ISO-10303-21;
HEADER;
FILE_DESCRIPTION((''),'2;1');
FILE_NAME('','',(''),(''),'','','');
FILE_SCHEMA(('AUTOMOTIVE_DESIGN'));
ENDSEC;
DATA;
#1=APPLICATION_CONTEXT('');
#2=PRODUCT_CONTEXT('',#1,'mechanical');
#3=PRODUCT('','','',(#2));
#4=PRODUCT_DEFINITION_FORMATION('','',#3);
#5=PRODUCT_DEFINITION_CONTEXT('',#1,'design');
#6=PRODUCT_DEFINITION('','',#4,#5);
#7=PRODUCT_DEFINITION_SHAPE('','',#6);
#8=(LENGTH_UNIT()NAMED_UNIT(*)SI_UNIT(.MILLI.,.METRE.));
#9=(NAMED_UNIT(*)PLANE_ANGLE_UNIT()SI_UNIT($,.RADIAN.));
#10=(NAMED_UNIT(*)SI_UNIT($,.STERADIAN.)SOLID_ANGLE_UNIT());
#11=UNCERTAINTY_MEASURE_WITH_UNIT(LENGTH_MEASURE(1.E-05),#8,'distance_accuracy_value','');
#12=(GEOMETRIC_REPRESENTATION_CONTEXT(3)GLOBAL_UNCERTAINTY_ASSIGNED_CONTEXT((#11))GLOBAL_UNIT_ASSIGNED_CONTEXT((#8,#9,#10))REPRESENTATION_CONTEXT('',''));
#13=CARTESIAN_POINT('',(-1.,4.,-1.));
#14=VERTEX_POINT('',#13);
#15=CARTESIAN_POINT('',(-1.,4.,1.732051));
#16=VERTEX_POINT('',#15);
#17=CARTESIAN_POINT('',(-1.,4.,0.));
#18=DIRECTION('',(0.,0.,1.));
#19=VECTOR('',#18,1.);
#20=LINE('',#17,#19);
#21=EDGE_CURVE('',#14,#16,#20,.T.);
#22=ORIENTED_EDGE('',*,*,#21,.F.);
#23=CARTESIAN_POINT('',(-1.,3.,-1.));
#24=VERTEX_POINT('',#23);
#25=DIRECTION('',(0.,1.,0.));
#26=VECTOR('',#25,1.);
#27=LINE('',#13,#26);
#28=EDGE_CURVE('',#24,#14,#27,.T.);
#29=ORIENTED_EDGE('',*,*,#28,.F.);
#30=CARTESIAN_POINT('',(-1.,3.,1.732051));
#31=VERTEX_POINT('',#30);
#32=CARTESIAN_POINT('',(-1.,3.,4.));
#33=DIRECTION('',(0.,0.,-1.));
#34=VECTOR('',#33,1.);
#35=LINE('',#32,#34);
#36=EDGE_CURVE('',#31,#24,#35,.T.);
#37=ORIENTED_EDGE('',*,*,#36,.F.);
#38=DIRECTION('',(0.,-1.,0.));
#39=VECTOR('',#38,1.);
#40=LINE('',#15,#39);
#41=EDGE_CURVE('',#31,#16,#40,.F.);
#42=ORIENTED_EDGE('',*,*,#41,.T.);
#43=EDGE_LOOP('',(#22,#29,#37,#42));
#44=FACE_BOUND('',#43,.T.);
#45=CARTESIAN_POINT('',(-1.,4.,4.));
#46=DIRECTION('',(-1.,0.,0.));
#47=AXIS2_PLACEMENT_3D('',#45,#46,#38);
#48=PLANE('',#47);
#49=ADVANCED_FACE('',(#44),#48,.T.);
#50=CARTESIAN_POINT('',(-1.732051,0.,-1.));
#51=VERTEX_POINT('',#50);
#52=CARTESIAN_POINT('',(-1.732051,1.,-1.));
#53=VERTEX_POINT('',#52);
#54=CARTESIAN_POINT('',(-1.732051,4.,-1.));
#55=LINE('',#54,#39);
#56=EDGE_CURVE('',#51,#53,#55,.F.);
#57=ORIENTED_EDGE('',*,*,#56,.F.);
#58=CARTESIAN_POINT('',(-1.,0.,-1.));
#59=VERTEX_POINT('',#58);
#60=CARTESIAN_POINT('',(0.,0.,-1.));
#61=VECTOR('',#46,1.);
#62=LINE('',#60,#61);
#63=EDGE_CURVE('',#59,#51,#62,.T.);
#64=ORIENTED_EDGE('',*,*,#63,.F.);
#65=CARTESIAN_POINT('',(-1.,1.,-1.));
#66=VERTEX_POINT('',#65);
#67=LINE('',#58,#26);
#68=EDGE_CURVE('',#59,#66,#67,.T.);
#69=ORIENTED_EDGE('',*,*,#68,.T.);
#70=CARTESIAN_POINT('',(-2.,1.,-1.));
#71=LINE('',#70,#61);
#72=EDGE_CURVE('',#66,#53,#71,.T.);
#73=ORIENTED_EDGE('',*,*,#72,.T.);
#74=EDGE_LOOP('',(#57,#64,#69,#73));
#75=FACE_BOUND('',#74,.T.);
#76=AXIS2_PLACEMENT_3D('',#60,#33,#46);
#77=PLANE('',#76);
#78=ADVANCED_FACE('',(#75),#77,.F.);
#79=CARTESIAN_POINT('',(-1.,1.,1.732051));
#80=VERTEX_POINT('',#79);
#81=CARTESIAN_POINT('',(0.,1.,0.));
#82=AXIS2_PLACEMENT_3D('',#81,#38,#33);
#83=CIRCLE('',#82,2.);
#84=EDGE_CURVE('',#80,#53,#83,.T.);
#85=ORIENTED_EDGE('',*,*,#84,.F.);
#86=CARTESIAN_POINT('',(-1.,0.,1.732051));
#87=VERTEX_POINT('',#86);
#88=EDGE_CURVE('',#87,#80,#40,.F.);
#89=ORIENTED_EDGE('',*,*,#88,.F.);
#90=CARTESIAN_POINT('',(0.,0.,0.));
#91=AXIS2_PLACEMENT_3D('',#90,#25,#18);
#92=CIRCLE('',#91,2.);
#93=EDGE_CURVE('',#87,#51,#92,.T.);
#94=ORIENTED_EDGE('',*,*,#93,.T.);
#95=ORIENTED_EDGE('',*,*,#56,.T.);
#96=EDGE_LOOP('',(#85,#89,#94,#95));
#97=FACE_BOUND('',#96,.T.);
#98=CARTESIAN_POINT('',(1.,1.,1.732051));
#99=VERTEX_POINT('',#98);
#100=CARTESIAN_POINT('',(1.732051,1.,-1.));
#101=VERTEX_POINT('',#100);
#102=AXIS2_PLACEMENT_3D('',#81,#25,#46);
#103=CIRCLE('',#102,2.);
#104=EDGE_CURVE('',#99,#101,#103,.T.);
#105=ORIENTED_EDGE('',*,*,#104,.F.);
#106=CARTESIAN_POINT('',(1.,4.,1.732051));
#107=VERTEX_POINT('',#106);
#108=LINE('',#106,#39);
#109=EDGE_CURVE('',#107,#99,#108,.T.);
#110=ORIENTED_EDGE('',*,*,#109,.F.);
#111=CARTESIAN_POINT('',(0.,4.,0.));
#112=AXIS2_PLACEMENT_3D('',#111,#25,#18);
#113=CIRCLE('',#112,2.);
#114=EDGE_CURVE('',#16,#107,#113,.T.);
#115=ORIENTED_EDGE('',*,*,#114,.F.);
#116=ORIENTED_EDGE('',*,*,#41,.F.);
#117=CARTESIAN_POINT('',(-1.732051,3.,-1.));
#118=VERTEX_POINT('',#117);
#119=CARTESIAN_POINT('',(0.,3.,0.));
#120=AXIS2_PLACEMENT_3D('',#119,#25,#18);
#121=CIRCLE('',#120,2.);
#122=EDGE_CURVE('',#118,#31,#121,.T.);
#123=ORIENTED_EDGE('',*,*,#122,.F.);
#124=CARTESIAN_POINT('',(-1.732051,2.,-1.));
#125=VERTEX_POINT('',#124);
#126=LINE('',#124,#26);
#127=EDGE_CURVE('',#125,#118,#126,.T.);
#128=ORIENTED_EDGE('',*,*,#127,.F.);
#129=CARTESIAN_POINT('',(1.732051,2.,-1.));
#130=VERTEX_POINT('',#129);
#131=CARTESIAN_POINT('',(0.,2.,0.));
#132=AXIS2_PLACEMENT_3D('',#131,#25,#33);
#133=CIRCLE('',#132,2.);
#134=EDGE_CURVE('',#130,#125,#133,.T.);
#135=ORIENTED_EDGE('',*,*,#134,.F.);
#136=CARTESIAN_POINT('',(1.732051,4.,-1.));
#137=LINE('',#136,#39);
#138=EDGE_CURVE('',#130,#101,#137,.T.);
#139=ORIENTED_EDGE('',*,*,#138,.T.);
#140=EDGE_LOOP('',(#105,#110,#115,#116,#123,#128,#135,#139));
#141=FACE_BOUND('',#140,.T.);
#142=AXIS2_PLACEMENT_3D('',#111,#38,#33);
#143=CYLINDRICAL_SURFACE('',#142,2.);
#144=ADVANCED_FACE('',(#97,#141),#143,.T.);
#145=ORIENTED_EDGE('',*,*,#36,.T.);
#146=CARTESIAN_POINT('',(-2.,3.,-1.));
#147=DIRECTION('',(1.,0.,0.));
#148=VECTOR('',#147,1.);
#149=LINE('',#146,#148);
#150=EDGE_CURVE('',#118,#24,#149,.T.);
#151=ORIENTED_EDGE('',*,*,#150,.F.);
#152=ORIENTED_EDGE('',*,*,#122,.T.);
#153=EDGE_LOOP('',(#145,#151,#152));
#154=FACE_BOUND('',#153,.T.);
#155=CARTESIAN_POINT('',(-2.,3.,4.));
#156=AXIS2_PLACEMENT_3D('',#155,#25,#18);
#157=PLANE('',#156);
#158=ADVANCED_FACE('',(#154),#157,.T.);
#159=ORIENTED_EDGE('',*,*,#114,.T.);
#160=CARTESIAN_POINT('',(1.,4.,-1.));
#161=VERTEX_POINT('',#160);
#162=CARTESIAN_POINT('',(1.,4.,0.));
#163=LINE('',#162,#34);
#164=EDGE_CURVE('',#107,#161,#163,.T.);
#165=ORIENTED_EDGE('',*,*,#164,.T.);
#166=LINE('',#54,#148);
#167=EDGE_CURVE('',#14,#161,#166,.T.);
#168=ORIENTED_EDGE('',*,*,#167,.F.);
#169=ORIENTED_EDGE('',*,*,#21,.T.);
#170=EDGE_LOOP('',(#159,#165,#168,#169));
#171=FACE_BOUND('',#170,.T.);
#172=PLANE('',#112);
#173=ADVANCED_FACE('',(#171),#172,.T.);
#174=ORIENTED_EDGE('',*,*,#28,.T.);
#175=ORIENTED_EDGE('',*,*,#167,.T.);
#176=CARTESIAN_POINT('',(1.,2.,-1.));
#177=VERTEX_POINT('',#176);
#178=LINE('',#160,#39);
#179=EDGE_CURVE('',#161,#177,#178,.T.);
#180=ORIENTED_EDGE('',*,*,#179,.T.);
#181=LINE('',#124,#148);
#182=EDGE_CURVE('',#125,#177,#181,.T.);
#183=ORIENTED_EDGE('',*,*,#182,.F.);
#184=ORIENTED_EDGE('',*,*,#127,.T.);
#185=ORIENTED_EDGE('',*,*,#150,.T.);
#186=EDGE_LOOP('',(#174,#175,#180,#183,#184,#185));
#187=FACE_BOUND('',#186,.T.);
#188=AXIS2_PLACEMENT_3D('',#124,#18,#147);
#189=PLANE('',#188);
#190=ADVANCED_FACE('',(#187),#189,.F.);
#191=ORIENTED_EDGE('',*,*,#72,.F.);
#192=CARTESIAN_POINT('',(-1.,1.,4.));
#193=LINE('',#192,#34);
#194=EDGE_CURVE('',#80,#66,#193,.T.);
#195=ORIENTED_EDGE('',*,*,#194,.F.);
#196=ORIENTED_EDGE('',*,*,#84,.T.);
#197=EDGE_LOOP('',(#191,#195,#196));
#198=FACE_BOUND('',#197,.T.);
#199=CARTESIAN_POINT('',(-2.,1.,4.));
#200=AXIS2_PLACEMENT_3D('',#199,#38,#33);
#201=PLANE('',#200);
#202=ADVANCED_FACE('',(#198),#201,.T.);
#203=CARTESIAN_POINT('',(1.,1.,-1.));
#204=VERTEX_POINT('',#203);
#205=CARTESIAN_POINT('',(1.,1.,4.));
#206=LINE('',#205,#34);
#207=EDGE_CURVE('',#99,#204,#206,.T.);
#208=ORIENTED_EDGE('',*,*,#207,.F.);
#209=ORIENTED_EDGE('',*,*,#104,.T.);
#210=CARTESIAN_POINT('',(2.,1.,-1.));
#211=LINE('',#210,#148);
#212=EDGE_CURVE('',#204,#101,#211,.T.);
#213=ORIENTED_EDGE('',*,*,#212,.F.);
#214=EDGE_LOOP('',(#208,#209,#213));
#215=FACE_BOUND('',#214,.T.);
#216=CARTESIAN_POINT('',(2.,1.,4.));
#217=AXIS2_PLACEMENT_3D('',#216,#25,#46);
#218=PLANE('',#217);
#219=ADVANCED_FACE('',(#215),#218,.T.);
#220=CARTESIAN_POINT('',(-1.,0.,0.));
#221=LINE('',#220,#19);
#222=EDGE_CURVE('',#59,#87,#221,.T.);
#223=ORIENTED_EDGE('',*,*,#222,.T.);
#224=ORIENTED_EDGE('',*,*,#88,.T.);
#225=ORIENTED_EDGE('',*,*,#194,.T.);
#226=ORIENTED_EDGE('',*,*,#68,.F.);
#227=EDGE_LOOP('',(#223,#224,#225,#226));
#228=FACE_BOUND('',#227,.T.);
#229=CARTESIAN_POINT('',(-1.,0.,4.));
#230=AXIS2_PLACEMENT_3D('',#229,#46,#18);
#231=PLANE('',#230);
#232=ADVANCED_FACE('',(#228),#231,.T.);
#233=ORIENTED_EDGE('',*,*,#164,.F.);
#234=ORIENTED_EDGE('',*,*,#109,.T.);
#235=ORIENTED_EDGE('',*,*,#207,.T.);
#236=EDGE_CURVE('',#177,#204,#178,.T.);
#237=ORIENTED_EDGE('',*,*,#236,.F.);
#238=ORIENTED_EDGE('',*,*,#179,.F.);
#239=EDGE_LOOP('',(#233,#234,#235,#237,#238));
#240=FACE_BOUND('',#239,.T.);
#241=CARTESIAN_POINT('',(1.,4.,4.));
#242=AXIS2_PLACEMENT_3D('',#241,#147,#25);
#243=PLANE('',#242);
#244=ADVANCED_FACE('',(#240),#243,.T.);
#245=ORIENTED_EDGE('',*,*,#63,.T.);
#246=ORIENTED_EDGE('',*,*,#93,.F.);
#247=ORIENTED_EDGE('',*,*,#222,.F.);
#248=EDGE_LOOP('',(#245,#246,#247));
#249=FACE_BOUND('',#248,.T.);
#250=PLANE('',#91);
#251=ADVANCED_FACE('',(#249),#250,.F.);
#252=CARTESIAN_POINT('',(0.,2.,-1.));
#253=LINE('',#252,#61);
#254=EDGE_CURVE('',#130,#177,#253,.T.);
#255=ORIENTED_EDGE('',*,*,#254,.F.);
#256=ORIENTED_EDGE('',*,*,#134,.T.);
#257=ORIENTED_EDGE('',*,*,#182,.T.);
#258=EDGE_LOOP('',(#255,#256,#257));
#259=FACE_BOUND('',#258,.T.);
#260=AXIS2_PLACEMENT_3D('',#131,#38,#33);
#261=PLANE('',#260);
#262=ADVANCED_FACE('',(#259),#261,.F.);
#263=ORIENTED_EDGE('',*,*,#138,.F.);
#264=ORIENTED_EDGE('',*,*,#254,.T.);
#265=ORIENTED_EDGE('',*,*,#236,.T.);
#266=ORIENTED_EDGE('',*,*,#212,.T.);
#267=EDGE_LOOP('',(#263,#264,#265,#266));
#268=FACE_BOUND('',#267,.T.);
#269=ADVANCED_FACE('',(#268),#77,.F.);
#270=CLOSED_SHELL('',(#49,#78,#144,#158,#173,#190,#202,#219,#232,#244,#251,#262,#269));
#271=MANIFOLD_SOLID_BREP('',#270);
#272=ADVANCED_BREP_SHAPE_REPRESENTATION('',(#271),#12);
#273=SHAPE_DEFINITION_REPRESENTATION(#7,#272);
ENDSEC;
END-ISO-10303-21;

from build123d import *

# Parameters (mm, degrees)
SKETCH1_R               = 2
BOSS_EXTRUDE1_DEPTH     = 4
SKETCH2_W               = 1
SKETCH2_H               = 1
SKETCH2_H_2             = 3
CUT_EXTRUDE1_DEPTH      = 4
CUT_EXTRUDE1_DEPTH_BACK = 1
CUT_EXTRUDE2_DEPTH      = 2


with BuildPart() as part:
    # Sketch1 → Boss-Extrude1 (new body)
    with BuildSketch(Plane(origin=(0, 0, 0), x_dir=(1, 0, 0), z_dir=(0, 1, 0))):
        Circle(SKETCH1_R)
    extrude(amount=BOSS_EXTRUDE1_DEPTH)

    # Sketch2 → Cut-Extrude1 (cut, two sides)
    with BuildSketch(Plane.XY) as cut_extrude1_sk:
        with Locations((-1.5, 3.5)):
            Rectangle(SKETCH2_W, SKETCH2_H)
        with Locations((1.5, 2.5)):
            Rectangle(SKETCH2_W, SKETCH2_H_2)
        with Locations((-1.5, 0.5)):
            Rectangle(SKETCH2_W, SKETCH2_H)
    extrude(amount=CUT_EXTRUDE1_DEPTH, mode=Mode.SUBTRACT)
    extrude(cut_extrude1_sk.sketch, amount=-CUT_EXTRUDE1_DEPTH_BACK, mode=Mode.SUBTRACT)

    # Sketch3 → Cut-Extrude2 (cut)
    with BuildSketch(Plane(origin=(0, 4, 0), x_dir=(1, 0, 0), z_dir=(0, 1, 0))):
        with BuildLine():
            Line((-1.732050808, 1), (1.732050808, 1))
            ThreePointArc((1.732050808, 1), (0, 2), (-1.732050808, 1))
        make_face()
    extrude(amount=-CUT_EXTRUDE2_DEPTH, mode=Mode.SUBTRACT)


solid = part.part
